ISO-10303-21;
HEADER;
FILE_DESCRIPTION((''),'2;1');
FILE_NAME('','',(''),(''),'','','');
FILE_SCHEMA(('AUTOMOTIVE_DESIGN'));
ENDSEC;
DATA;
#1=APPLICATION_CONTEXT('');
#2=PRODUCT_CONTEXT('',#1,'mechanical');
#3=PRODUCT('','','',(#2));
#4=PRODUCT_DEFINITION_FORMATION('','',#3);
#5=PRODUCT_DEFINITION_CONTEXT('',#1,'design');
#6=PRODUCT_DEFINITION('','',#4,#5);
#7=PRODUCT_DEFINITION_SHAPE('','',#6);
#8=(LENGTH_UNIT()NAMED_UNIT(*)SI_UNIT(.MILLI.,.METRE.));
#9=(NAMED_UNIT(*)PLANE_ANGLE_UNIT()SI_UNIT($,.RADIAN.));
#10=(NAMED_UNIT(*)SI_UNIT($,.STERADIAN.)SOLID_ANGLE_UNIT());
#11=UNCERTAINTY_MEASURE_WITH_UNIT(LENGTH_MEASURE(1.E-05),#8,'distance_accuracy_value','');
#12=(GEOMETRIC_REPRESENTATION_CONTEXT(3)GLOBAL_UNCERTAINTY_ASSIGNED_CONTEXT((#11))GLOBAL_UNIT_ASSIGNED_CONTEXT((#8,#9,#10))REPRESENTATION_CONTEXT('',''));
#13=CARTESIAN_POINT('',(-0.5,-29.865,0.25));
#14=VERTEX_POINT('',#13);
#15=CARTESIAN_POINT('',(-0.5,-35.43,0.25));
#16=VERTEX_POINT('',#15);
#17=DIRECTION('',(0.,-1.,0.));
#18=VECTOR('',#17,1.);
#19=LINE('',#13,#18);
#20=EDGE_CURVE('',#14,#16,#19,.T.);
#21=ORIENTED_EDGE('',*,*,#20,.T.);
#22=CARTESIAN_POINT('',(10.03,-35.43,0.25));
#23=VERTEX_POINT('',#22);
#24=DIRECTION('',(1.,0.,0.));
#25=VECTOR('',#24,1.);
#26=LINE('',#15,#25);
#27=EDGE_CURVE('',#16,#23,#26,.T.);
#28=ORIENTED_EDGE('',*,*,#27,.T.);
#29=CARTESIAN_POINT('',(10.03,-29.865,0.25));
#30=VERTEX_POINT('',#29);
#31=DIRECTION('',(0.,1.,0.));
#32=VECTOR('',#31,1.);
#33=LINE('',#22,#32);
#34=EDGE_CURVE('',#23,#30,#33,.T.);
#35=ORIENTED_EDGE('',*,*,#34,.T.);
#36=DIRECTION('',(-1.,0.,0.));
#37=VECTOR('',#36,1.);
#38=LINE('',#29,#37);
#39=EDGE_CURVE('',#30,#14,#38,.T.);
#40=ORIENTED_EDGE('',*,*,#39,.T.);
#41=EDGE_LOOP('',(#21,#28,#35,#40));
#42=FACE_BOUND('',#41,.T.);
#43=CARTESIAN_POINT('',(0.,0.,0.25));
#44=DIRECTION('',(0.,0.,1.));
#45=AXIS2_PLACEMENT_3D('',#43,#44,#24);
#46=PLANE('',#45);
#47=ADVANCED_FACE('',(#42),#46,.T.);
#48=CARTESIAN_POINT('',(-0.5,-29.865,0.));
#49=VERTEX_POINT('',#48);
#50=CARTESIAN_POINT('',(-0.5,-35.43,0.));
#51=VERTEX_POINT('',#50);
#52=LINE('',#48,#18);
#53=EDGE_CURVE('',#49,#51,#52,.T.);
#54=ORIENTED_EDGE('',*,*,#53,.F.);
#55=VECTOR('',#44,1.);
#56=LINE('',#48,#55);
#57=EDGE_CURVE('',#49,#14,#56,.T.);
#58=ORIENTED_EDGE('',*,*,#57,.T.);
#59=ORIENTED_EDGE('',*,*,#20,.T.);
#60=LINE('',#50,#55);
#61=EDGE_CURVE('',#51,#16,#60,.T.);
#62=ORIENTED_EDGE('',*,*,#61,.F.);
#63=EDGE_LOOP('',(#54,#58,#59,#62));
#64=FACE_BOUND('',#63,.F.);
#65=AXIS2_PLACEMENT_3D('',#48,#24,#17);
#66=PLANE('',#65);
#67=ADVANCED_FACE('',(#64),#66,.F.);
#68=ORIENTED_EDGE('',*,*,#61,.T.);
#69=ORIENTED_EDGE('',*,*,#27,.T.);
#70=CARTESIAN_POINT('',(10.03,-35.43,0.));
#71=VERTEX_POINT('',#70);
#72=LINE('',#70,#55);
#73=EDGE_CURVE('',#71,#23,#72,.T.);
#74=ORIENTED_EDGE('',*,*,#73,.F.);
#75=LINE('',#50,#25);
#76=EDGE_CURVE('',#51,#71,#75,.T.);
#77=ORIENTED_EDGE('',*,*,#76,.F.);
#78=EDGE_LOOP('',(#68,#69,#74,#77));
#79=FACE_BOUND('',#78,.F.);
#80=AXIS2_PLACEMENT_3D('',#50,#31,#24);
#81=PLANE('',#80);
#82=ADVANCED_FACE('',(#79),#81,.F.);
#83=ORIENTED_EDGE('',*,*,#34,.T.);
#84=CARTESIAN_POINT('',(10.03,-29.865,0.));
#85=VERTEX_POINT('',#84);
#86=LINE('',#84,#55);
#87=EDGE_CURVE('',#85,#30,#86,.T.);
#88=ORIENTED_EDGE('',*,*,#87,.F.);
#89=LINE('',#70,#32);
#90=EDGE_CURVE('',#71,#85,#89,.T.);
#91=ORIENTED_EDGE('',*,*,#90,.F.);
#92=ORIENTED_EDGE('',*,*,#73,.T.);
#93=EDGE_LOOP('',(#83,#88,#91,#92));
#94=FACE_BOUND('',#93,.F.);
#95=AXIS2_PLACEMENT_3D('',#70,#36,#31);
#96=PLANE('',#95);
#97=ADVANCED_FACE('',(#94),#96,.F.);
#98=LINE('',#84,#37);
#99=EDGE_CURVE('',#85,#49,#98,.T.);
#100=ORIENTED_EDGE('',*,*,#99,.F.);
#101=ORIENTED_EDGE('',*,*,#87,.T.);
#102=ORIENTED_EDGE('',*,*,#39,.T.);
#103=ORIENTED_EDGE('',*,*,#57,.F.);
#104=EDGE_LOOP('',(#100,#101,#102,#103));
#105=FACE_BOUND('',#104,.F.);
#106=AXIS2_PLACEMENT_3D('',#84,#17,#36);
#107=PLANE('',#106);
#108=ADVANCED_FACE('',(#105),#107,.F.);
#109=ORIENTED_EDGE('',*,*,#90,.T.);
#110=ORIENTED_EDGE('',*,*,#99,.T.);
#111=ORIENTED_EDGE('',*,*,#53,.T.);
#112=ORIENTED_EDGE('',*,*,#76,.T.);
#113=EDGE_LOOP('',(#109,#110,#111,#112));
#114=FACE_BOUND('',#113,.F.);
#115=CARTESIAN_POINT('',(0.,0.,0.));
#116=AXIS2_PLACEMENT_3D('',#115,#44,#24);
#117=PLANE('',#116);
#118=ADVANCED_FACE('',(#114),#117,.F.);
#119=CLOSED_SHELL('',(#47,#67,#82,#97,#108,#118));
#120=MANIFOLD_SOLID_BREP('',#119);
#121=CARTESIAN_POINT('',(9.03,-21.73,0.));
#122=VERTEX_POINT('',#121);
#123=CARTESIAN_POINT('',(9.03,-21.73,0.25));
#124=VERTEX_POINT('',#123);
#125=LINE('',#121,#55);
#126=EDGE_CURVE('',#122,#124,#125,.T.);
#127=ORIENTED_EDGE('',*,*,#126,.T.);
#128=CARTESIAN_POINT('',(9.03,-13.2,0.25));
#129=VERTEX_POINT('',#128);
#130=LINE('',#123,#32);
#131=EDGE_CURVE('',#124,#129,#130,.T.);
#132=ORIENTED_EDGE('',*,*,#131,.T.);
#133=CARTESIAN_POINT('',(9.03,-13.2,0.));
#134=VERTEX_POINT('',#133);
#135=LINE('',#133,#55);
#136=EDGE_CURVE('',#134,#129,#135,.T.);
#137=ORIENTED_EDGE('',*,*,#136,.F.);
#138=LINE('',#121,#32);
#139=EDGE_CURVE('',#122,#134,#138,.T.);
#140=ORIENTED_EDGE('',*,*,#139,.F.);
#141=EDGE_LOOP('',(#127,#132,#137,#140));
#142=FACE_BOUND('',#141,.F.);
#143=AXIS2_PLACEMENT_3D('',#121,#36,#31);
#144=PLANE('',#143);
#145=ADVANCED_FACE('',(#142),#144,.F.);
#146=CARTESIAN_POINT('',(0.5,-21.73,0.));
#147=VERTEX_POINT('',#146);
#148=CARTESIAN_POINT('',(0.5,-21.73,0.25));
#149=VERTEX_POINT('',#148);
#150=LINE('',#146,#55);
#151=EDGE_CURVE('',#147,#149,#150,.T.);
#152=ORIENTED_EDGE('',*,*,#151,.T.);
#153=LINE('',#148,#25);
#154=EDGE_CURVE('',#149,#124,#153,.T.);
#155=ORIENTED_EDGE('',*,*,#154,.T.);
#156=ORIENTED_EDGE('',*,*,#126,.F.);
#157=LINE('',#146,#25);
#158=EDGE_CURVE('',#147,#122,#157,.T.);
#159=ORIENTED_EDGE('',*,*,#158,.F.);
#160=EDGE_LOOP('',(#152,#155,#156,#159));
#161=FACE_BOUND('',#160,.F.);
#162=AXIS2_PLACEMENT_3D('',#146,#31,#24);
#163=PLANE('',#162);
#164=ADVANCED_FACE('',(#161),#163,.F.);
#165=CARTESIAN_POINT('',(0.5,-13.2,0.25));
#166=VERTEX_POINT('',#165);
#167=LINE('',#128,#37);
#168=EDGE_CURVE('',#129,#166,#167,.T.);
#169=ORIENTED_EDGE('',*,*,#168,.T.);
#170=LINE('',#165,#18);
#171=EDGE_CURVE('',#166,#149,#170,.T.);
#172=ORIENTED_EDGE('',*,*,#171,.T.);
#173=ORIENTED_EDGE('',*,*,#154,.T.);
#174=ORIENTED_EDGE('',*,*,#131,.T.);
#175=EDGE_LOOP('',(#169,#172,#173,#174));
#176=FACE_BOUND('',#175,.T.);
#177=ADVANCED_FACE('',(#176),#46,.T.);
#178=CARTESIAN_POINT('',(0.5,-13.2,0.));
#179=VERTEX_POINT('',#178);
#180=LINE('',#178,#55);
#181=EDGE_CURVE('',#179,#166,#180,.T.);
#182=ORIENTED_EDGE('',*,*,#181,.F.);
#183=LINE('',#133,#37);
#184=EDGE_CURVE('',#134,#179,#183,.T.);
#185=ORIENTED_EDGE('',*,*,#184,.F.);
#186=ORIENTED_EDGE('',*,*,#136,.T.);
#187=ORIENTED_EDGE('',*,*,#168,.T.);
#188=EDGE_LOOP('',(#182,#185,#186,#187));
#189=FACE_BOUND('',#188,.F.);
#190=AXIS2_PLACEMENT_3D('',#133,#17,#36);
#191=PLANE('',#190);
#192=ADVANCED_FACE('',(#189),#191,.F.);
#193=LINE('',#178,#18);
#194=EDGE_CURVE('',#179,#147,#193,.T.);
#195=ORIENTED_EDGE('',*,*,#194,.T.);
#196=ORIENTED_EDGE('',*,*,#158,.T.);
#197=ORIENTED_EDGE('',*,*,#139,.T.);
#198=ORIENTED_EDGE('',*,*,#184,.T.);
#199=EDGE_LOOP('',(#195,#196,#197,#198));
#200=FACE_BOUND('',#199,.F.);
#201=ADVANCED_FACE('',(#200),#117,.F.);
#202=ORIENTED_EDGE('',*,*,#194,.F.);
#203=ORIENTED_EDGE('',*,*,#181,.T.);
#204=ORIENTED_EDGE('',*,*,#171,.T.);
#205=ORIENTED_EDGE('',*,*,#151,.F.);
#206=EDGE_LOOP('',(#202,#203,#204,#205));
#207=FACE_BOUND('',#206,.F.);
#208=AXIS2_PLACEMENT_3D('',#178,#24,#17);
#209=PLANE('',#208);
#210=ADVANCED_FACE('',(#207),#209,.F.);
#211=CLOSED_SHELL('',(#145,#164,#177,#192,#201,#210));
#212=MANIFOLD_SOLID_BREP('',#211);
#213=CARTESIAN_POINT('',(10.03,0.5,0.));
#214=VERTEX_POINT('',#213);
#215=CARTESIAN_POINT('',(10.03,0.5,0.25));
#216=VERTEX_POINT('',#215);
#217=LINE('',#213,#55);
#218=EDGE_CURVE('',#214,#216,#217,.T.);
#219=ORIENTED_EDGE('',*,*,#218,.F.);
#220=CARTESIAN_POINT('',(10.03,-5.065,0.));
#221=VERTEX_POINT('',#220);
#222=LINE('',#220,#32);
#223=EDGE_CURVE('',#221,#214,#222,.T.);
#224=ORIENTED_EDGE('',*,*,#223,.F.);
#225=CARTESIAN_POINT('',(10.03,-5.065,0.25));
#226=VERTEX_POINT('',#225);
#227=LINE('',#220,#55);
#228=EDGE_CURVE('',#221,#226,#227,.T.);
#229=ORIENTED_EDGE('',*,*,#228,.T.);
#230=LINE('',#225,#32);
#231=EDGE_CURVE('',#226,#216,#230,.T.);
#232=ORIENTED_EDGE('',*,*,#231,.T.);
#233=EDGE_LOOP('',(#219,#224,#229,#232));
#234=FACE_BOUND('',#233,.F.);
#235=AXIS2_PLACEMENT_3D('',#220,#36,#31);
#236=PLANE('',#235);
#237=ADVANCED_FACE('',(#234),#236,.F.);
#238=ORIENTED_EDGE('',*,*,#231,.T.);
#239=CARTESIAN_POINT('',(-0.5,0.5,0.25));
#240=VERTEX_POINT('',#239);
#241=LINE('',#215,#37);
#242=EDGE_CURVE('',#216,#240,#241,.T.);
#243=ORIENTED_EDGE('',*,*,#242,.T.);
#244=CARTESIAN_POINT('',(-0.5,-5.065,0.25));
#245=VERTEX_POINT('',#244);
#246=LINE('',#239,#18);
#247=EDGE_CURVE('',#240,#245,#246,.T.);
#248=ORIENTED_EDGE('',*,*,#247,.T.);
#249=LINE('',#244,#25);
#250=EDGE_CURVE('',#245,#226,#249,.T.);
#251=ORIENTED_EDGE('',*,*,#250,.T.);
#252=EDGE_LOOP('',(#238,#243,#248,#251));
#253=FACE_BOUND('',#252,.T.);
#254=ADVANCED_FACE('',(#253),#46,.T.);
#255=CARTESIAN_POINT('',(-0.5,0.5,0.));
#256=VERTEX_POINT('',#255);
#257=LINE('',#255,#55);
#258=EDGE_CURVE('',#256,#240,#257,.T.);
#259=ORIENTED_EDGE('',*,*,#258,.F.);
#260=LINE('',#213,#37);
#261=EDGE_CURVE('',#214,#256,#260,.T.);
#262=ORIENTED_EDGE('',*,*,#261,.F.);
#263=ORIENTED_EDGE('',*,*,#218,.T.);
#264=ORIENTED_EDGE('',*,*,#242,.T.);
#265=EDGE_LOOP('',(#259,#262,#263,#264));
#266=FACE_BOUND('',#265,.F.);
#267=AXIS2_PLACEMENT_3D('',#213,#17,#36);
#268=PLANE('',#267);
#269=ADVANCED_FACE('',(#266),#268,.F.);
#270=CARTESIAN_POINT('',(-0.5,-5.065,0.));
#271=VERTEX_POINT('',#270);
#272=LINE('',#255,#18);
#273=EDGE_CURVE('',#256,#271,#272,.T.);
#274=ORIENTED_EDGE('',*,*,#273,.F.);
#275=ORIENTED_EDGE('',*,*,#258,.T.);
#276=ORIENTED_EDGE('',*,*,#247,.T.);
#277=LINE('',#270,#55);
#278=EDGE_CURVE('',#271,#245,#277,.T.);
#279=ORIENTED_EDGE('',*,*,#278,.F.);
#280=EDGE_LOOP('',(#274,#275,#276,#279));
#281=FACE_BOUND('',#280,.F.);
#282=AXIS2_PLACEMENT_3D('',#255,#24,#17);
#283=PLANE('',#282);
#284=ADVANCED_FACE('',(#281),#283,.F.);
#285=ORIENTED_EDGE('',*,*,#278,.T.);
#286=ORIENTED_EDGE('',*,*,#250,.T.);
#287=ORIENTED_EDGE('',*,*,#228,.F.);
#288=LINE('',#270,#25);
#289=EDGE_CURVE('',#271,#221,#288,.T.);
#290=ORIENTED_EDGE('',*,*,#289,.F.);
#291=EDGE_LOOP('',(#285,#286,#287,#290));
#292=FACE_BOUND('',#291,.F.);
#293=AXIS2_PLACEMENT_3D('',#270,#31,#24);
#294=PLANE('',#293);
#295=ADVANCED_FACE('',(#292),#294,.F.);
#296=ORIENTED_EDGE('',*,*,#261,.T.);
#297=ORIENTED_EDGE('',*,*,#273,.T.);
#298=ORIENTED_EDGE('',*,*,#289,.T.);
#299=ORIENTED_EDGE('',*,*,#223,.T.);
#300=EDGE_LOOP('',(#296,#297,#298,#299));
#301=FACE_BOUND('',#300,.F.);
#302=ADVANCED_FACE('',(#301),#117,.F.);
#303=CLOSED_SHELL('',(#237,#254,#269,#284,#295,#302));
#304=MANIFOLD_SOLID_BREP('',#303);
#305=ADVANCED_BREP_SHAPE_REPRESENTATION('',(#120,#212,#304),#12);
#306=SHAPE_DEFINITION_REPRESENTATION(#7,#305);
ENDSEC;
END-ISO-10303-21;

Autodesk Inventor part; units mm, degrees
ref_plane "YZ Plane" through (0, 0, 0) normal (1, 0, 0) x (0, 1, 0)
ref_plane "XZ Plane" through (0, 0, 0) normal (0, 1, 0) x (-1, 0, 0)
ref_plane "XY Plane" through (0, 0, 0) normal (0, 0, 1) x (1, 0, 0)
sketch "Sketch1" plane through (0, 0, 0) normal (0, 0, 1) x (1, 0, 0)
  line L0 (0, 0) -> (0, -4.565) projected
  line L1 (0, -4.565) -> (9.53, -4.565) projected
  line L2 (9.53, 0) -> (9.53, -4.565) projected
  line L3 (0, 0) -> (9.53, 0) projected
  line L4 (0, -12.7) -> (0, -22.23) projected
  line L5 (0, -22.23) -> (9.53, -22.23) projected
  line L6 (9.53, -12.7) -> (9.53, -22.23) projected
  line L7 (0, -12.7) -> (9.53, -12.7) projected
  line L8 (0, -30.365) -> (0, -34.93) projected
  line L9 (0, -34.93) -> (9.53, -34.93) projected
  line L10 (9.53, -30.365) -> (9.53, -34.93) projected
  line L11 (0, -30.365) -> (9.53, -30.365) projected
  line L12 (10.03, 0.5) -> (-0.5, 0.5)
  line L13 (-0.5, 0.5) -> (-0.5, -5.065)
  line L14 (-0.5, -5.065) -> (10.03, -5.065)
  line L15 (10.03, -5.065) -> (10.03, 0.5)
  line L16 (9.03, -13.2) -> (0.5, -13.2)
  line L17 (0.5, -13.2) -> (0.5, -21.73)
  line L18 (0.5, -21.73) -> (9.03, -21.73)
  line L19 (9.03, -21.73) -> (9.03, -13.2)
  line L20 (10.03, -29.865) -> (-0.5, -29.865)
  line L21 (-0.5, -29.865) -> (-0.5, -35.43)
  line L22 (-0.5, -35.43) -> (10.03, -35.43)
  line L23 (10.03, -35.43) -> (10.03, -29.865)
  dimension "d0" = 0.5
  dimension "d1" = 0.5
  dimension "d2" = 0.5
  dimension "d3" = 0.5
  dimension "d4" = 0.5
  dimension "d5" = 0.5
  dimension "d6" = 0.5
  dimension "d7" = 0.5
  dimension "d8" = 0.5
  dimension "d9" = 0.5
extrude "Extrusion1" add sketch "Sketch1" along normal blind 0.25 contours L3 L2 L1 L0 | L11 L10 L9 L8 | L15 L14 L13 L12 | L19 L18 L17 L16 | L23 L22 L21 L20
equation "\"d1\" = d0"
equation "\"d2\" = d0"
equation "\"d3\" = d0"
equation "\"d4\" = d0"
equation "\"d5\" = d0"
equation "\"d6\" = d0"
equation "\"d7\" = d0"
equation "\"d8\" = d0"
equation "\"d9\" = d0"
properties part number "leakage" material "Polypropylene"
